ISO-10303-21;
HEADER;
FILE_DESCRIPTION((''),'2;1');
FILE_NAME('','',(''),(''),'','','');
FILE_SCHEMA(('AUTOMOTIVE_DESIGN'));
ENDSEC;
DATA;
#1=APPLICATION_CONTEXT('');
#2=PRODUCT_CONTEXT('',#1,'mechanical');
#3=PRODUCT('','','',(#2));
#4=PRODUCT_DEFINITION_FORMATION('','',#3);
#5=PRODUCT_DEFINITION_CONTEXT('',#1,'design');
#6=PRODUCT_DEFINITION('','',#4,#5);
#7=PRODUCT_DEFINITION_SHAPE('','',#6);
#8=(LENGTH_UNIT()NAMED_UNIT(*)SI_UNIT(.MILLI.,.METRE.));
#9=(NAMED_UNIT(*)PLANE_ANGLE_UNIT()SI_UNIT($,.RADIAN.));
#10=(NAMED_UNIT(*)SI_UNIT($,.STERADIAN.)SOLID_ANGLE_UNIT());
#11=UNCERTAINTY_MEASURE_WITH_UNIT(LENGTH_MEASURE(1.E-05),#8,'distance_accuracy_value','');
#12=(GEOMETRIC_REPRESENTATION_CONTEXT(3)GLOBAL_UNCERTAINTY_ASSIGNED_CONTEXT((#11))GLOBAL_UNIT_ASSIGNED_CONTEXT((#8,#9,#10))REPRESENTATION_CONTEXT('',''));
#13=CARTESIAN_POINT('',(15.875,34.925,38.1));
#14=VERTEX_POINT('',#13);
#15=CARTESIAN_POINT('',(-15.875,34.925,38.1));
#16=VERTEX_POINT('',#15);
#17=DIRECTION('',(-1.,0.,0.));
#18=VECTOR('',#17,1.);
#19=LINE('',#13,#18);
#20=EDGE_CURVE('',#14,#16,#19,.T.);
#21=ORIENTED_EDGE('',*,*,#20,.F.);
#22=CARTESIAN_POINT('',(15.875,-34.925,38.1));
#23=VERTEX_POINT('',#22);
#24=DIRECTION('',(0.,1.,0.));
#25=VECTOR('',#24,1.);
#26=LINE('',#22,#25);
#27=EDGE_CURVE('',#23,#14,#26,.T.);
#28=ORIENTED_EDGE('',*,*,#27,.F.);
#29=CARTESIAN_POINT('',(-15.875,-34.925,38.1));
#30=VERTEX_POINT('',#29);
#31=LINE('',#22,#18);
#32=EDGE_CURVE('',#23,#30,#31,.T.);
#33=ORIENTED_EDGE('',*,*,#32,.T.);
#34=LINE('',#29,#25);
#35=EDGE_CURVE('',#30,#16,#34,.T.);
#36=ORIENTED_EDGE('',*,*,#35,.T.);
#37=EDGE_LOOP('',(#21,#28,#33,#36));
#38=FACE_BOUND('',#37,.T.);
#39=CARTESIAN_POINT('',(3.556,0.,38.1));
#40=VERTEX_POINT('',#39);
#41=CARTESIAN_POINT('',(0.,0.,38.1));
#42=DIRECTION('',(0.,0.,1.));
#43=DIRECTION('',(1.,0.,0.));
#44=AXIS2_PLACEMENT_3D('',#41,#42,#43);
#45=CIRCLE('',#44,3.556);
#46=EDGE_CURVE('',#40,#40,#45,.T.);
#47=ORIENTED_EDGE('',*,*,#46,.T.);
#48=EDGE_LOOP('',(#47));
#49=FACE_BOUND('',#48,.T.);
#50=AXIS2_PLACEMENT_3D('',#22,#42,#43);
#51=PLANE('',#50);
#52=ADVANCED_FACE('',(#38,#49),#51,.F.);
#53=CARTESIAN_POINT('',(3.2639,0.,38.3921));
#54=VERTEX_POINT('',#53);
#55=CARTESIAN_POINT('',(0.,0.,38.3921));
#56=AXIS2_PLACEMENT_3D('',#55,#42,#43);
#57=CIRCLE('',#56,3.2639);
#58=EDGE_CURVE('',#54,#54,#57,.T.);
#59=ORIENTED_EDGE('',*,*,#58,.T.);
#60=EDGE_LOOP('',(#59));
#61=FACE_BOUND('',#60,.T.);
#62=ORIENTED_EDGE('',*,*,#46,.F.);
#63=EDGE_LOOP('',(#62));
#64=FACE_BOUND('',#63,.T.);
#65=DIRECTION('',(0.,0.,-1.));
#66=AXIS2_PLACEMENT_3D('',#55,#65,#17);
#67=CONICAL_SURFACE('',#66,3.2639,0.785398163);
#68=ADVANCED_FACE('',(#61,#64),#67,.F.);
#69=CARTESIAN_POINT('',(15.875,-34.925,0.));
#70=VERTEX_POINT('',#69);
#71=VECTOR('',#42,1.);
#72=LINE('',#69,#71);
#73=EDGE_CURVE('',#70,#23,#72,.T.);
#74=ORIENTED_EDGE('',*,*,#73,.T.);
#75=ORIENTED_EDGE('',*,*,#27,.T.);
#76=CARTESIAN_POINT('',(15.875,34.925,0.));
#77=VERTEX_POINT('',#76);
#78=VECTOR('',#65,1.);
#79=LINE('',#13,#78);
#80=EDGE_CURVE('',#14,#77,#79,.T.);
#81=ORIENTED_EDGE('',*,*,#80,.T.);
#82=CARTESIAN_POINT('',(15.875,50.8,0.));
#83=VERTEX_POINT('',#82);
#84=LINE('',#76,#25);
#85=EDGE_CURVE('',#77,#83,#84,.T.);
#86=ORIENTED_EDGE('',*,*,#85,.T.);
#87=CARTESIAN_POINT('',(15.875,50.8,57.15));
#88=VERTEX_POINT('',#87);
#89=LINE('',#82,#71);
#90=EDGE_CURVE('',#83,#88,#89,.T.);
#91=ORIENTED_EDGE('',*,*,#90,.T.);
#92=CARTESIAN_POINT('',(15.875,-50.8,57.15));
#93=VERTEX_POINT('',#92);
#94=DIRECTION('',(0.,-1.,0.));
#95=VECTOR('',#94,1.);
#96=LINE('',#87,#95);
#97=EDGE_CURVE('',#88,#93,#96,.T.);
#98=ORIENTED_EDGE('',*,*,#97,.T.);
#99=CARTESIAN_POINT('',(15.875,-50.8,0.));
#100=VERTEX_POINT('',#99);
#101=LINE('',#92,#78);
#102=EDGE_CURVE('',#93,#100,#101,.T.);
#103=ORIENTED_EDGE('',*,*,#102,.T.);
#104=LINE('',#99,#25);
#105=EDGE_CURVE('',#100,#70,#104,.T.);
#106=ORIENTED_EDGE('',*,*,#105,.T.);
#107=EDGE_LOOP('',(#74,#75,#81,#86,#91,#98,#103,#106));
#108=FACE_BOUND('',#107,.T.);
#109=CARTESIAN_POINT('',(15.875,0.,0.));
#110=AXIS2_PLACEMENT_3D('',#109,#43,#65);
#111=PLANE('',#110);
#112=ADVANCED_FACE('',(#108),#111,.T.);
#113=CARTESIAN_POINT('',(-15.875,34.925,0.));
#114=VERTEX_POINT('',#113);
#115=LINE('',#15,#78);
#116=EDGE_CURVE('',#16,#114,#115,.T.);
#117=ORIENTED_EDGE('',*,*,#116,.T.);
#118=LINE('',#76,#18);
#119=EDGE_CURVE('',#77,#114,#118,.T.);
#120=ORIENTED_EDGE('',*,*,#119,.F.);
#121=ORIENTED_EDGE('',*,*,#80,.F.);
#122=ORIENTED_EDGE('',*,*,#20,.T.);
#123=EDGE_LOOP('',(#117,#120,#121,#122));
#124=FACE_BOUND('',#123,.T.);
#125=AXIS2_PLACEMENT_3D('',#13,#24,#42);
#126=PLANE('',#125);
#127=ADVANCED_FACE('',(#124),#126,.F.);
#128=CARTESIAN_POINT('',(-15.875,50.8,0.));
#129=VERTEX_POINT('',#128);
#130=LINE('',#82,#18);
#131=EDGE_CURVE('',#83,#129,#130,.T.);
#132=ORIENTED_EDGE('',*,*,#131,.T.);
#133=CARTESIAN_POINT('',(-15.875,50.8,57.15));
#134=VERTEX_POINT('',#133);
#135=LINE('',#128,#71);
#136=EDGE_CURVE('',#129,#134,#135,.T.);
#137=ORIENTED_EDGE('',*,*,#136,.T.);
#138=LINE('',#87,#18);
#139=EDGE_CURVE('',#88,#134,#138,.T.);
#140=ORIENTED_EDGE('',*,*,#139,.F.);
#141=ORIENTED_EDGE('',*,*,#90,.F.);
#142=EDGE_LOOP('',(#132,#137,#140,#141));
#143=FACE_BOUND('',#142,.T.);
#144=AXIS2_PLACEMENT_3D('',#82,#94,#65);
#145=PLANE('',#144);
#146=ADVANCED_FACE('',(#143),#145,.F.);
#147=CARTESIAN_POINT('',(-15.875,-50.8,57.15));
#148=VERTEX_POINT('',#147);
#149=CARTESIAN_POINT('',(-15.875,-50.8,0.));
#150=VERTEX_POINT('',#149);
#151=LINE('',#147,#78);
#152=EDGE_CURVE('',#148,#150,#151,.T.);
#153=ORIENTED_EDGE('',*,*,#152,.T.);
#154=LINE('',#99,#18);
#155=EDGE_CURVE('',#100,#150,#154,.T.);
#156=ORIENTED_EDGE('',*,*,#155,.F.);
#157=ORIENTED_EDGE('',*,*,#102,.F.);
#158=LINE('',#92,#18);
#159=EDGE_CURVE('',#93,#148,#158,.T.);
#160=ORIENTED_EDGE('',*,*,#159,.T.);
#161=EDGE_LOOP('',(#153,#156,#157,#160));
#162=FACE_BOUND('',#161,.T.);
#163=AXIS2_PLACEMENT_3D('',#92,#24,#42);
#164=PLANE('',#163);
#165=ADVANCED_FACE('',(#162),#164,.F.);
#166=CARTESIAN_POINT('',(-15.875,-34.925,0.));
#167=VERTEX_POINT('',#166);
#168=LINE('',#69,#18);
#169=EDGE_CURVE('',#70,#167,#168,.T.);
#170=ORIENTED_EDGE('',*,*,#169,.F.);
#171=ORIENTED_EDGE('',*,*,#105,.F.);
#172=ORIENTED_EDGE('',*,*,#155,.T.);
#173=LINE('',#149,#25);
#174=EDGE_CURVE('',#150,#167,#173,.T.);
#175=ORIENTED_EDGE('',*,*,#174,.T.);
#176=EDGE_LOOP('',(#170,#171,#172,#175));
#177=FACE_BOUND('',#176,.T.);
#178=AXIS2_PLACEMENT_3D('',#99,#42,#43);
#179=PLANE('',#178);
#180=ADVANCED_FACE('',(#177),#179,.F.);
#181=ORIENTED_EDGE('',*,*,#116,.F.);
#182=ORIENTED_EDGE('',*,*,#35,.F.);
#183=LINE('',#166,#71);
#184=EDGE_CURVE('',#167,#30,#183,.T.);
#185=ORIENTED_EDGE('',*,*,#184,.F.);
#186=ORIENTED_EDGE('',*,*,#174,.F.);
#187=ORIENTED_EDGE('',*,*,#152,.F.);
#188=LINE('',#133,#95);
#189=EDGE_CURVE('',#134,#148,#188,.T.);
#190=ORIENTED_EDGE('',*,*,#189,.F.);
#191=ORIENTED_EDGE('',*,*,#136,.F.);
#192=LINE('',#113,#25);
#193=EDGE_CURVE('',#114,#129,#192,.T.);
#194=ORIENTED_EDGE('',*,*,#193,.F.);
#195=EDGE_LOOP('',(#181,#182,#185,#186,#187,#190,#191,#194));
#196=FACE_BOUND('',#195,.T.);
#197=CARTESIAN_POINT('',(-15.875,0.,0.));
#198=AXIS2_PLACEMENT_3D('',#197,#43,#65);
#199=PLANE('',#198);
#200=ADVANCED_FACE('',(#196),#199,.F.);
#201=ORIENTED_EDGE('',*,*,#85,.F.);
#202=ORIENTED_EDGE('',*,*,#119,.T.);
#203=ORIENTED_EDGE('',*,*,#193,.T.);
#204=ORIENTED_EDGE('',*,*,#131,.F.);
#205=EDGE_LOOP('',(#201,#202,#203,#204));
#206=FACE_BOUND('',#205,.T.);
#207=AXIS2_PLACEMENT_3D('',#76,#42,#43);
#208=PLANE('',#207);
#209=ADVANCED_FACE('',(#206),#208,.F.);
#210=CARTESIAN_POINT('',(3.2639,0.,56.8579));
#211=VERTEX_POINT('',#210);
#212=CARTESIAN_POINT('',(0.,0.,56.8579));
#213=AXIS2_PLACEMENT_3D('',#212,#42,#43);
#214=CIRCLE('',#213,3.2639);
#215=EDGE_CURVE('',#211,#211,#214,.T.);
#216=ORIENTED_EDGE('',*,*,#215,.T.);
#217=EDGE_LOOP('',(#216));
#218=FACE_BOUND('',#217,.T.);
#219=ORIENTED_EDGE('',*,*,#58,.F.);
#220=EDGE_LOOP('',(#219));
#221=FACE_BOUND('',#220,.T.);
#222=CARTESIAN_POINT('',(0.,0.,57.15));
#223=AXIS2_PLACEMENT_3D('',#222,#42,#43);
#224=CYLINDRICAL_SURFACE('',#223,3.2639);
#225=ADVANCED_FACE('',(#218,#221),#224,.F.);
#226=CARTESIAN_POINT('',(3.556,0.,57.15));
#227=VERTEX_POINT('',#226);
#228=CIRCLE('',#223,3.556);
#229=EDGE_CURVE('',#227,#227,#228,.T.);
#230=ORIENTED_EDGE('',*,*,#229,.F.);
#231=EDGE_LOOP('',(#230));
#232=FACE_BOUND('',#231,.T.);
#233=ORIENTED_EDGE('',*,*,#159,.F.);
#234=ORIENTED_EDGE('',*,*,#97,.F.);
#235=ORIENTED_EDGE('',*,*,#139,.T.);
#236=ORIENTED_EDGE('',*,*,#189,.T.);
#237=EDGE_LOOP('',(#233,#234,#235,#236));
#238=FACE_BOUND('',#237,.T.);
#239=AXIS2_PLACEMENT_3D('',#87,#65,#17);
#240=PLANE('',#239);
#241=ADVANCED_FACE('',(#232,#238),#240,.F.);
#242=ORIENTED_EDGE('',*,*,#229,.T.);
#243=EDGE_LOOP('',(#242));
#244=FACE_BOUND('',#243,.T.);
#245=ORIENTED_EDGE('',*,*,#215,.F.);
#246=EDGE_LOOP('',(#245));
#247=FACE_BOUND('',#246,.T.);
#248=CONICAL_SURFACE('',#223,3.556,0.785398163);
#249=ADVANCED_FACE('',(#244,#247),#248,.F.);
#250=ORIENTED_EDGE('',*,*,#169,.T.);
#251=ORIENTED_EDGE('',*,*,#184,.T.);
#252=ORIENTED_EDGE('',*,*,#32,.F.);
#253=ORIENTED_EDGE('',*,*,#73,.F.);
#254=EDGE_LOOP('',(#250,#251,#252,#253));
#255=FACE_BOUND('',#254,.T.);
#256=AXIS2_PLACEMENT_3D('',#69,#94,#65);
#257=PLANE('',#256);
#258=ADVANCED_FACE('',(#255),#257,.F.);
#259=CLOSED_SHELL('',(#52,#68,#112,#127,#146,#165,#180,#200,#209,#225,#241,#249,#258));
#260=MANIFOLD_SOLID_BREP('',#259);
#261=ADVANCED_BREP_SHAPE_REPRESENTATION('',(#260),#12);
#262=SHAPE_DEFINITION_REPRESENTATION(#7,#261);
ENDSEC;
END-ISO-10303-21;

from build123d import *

# Parameters (mm, degrees)
BOSS_EXTRUDE1_DEPTH = 15.875


with BuildPart() as part:
    # Sketch1 → Boss-Extrude1 (new, symmetric)
    with BuildSketch(Plane(origin=(0, 0, 0), x_dir=(0, 0, -1), z_dir=(1, 0, 0))):
        Polygon((0, 34.925), (0, 50.8), (-57.15, 50.8), (-57.15, -50.8), (0, -50.8), (0, -34.925), (-38.1, -34.925), (-38.1, 34.925), align=None)
    extrude(amount=BOSS_EXTRUDE1_DEPTH, both=True)

    # Sketch2 → F (0.257) Diameter Hole1 (revolve, cut)
    with BuildSketch(Plane(origin=(0, 0, 57.15), x_dir=(0, -1, 0), z_dir=(1, 0, 0))):
        Polygon((0, 0), (0, 19.05), (3.556, 19.05), (3.2639, 18.7579), (3.2639, 0.2921), (3.556, 0), align=None)
    revolve(axis=Axis((0, 0, 63.5), (0, 0, -1)), mode=Mode.SUBTRACT)


solid = part.part
